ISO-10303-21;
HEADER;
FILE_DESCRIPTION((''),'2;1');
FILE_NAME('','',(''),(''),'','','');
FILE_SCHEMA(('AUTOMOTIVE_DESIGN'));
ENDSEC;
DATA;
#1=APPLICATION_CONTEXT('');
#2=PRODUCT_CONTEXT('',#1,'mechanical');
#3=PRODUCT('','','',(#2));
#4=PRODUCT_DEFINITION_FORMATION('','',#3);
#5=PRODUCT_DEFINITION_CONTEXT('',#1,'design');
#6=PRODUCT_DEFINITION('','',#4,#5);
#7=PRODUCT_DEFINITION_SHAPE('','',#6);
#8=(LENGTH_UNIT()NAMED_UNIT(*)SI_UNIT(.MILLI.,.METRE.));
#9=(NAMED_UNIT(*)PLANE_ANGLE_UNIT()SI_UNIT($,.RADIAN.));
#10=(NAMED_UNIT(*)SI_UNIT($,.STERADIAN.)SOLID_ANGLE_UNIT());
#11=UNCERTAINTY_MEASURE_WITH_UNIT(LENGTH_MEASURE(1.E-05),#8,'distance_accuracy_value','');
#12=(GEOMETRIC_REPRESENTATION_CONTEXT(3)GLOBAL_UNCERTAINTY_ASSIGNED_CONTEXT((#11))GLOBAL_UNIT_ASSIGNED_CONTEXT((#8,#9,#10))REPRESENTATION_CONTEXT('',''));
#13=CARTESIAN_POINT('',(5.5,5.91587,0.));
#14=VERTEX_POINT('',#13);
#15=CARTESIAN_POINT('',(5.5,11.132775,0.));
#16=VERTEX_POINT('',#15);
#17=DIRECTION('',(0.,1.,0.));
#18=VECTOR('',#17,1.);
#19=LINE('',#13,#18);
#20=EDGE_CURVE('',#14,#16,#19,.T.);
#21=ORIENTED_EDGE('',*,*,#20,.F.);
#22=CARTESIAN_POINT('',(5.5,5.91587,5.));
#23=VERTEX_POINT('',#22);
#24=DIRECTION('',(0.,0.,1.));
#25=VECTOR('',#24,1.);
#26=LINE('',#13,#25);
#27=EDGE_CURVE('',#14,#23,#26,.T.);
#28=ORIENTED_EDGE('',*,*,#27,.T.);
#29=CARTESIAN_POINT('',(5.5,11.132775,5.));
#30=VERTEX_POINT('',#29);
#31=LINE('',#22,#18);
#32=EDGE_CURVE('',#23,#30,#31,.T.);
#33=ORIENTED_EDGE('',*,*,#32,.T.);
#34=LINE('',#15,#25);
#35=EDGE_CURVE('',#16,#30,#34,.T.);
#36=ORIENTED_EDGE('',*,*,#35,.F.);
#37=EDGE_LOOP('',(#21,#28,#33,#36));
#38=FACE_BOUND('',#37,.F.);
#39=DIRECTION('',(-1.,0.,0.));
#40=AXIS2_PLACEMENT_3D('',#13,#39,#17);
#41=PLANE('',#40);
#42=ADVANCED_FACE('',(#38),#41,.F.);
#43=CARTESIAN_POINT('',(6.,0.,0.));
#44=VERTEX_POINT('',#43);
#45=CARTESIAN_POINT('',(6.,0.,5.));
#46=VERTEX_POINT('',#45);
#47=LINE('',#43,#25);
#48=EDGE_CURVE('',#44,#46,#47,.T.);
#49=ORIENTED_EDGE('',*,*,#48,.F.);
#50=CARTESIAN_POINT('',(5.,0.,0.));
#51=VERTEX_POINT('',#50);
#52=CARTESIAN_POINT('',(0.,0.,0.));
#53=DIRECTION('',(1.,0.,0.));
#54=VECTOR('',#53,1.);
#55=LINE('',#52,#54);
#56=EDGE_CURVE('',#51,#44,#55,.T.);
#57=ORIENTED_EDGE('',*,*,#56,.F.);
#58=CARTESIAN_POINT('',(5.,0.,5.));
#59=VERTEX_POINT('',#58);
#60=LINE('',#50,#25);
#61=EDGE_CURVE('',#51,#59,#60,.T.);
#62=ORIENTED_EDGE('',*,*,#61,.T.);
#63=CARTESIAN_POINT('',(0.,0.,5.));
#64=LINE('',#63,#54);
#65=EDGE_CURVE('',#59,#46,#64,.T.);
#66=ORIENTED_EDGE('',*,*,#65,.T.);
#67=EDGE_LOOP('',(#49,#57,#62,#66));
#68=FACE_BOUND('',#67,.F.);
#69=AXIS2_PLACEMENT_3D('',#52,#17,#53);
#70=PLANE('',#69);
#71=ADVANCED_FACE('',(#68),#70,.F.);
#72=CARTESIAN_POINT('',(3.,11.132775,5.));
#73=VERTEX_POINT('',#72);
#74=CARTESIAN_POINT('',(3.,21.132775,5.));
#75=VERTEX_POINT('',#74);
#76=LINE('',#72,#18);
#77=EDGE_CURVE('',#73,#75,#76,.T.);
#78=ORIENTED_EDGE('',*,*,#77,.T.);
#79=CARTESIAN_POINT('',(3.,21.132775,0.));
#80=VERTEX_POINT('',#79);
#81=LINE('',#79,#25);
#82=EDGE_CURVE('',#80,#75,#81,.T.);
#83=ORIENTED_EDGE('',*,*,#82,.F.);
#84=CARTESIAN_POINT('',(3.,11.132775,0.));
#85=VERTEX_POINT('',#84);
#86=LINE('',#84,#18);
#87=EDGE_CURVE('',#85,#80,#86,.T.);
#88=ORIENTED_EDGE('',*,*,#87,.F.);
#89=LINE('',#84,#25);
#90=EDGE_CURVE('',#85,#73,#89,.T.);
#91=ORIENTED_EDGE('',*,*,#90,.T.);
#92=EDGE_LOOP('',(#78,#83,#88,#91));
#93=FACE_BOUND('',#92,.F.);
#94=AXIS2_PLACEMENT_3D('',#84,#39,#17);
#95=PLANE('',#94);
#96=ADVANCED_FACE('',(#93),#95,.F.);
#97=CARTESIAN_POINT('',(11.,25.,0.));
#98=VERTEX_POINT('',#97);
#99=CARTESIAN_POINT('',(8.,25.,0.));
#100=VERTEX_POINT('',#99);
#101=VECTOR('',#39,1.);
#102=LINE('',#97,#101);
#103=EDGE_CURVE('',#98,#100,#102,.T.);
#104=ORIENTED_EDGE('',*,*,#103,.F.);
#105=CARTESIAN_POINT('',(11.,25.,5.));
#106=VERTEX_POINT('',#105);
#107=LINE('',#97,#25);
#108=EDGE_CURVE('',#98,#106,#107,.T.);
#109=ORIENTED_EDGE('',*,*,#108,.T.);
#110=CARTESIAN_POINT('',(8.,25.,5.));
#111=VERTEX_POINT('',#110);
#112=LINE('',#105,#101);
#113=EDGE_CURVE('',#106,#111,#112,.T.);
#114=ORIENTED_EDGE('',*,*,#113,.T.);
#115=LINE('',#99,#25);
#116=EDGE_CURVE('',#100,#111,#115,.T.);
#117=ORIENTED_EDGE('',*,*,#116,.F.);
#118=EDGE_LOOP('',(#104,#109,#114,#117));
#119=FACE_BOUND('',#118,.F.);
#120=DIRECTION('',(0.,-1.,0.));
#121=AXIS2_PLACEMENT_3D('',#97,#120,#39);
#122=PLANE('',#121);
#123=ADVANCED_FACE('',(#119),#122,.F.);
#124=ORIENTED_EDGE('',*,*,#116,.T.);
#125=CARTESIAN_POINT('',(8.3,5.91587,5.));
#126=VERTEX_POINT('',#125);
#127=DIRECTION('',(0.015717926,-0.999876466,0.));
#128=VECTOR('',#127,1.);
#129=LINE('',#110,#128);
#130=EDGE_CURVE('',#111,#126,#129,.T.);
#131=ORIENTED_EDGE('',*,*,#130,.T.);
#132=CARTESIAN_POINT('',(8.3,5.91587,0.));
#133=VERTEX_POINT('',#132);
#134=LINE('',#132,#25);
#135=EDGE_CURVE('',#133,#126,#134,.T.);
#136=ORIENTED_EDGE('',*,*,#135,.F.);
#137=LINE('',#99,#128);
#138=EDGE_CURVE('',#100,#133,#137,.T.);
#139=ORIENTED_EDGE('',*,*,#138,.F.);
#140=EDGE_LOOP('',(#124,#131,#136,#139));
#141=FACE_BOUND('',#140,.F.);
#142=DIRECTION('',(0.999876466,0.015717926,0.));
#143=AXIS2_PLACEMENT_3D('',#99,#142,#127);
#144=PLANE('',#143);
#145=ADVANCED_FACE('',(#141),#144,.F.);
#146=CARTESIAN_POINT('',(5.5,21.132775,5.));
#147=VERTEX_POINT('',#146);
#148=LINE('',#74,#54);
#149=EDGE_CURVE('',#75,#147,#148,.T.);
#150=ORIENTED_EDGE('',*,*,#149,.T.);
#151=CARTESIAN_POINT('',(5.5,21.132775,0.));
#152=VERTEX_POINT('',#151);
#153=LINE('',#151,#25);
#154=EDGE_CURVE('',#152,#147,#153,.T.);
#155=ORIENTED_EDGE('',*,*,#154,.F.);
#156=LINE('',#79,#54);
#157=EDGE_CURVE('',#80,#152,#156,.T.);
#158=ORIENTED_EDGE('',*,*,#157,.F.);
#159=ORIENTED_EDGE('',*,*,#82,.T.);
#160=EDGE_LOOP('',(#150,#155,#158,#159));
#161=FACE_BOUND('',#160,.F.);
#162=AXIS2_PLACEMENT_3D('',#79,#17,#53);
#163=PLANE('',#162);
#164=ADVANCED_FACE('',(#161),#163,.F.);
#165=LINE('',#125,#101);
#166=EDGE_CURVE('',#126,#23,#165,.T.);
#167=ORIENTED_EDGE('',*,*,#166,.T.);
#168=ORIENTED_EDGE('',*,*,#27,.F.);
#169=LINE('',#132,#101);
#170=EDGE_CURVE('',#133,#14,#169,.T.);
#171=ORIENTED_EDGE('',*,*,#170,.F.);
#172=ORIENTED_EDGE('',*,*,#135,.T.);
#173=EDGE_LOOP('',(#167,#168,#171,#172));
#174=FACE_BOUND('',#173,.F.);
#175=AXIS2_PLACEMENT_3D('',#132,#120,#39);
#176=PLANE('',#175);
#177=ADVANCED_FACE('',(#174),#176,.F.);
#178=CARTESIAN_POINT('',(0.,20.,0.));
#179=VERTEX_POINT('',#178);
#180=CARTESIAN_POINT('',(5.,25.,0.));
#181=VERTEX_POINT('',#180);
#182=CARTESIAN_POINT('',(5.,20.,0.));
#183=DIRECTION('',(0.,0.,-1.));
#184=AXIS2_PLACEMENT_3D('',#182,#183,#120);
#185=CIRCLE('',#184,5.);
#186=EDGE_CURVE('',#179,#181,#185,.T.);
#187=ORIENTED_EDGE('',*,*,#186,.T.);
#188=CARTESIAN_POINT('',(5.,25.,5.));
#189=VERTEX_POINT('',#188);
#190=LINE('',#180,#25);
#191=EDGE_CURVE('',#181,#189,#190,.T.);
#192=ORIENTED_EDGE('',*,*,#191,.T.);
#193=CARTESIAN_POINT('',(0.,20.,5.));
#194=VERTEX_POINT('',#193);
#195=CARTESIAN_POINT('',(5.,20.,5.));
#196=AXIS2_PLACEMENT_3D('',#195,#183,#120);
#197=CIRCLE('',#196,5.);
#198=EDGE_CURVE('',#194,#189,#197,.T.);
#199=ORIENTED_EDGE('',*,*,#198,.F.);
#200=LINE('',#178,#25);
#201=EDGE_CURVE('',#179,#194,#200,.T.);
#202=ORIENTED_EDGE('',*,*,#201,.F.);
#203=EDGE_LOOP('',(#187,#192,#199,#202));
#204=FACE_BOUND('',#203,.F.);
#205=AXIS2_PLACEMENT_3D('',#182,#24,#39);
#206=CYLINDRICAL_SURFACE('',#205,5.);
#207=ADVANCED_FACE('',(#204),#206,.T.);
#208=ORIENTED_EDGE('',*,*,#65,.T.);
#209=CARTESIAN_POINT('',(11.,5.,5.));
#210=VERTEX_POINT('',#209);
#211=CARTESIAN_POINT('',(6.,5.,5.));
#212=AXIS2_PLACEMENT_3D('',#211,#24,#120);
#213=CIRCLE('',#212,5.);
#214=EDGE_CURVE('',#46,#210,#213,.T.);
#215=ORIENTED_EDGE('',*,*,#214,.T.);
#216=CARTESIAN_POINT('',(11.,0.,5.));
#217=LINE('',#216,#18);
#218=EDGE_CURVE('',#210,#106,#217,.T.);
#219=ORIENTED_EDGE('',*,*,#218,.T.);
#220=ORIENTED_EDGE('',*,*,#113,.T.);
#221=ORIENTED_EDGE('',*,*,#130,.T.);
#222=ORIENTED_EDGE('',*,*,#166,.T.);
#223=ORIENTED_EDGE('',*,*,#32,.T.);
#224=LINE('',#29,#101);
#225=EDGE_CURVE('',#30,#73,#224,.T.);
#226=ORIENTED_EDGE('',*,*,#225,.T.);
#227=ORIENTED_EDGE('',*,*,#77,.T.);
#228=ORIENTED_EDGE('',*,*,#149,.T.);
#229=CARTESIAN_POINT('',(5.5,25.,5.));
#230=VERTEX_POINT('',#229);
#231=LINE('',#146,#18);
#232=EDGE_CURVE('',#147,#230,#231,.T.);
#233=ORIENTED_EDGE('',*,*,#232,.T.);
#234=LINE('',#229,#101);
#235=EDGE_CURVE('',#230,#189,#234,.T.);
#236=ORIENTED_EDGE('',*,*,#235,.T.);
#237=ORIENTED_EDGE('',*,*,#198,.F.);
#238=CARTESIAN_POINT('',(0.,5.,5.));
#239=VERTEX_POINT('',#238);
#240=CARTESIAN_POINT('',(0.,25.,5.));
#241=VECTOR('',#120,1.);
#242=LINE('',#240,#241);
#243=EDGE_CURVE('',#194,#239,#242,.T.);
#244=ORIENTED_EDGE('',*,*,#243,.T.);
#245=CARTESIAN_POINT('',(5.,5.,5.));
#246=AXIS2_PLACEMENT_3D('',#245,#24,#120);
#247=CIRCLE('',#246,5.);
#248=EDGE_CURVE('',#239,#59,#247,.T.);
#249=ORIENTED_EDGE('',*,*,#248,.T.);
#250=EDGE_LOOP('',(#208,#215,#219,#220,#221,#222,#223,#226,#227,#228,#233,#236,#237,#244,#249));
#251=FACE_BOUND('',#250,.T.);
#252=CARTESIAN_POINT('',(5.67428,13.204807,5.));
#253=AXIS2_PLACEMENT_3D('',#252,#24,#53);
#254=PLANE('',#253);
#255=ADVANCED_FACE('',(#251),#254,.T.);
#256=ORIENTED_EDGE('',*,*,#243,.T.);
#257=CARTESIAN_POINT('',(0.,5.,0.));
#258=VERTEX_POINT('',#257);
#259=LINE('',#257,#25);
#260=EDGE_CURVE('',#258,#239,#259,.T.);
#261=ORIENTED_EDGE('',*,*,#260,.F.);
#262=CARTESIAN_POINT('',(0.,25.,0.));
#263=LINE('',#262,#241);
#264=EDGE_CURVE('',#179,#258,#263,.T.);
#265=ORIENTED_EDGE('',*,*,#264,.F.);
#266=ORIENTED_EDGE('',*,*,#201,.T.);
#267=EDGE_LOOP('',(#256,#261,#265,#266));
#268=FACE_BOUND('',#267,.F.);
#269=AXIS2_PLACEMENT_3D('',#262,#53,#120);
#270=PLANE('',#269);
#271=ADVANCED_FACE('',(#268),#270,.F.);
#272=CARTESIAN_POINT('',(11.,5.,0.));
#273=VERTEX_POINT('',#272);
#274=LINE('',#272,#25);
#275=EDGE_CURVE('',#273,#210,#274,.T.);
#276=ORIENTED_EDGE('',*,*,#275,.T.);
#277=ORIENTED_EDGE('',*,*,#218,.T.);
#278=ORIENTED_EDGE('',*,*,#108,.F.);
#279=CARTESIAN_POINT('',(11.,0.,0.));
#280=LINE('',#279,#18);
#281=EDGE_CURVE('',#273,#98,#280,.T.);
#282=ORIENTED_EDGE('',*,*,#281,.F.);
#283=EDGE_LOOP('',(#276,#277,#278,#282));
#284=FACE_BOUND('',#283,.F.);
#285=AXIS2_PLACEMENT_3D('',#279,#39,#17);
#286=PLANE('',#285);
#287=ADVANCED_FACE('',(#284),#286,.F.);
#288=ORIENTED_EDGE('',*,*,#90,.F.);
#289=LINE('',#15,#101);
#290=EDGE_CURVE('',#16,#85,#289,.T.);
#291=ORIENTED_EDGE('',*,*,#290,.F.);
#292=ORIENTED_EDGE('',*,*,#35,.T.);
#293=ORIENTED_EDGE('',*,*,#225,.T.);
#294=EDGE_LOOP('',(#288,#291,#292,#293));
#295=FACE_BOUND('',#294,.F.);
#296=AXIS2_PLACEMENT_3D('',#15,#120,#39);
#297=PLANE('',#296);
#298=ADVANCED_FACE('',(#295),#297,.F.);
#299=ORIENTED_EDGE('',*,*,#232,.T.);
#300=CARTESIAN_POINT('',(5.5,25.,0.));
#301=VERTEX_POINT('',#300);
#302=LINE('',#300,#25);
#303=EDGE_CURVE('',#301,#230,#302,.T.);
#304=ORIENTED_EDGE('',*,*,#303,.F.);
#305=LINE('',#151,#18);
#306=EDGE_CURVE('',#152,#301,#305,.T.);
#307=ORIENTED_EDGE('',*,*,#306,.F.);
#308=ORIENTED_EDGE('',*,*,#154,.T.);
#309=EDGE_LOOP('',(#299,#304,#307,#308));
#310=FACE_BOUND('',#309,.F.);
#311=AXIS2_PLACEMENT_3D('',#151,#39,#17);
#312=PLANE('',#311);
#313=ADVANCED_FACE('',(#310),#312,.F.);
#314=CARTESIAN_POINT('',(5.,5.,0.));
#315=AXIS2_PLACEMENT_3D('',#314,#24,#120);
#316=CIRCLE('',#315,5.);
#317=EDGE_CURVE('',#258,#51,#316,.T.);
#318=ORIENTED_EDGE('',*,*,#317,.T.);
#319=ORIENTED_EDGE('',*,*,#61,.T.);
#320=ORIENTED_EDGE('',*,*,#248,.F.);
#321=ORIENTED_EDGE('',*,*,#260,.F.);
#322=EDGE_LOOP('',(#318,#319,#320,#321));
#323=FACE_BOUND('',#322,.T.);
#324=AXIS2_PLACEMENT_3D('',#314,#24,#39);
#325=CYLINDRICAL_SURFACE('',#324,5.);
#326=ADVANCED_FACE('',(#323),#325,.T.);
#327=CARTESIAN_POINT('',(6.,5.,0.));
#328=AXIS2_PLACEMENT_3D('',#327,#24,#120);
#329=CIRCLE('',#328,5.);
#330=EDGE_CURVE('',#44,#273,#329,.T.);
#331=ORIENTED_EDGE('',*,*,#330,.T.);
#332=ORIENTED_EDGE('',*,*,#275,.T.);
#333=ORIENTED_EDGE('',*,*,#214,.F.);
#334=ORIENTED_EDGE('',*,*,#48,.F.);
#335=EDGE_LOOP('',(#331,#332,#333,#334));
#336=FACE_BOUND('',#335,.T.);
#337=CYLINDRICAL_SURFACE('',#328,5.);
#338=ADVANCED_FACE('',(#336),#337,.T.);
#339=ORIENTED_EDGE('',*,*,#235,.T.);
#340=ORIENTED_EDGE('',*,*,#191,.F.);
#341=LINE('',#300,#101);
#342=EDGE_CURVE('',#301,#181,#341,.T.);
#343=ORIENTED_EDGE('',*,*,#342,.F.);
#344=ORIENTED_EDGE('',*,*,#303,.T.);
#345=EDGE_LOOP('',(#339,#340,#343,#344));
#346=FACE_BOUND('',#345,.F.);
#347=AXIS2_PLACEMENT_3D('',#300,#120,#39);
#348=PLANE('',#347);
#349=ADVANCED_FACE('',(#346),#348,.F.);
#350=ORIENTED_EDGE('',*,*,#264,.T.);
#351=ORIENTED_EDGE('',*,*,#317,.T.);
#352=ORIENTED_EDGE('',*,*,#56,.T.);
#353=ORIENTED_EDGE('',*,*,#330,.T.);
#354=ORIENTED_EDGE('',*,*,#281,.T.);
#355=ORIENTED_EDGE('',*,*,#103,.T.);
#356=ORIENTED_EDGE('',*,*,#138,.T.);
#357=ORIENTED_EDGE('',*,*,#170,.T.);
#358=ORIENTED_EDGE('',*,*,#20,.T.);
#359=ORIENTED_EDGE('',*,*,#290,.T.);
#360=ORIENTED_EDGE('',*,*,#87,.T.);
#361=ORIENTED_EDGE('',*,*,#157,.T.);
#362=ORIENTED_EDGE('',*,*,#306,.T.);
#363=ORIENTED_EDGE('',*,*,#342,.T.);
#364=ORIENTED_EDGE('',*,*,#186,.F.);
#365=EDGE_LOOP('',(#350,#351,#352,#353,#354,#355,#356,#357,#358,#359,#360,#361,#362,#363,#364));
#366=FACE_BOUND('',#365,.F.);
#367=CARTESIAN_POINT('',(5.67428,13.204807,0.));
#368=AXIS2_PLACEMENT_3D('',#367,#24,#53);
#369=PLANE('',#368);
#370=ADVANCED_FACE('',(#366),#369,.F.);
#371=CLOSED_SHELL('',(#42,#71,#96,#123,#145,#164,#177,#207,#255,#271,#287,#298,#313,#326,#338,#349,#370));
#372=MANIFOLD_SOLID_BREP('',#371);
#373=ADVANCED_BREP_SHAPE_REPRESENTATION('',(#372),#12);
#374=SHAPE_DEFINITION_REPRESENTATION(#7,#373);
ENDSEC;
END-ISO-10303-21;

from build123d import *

# Parameters (mm, degrees)
F1_DEPTH = 5
F2_R     = 5


with BuildPart() as f1:
    # F0 (on Top) → F1 (new body)
    with BuildSketch(Plane.XY):
        Polygon((0, 25), (0, 0), (11, 0), (11, 25), (8, 25), (8.3, 5.91587), (5.5, 5.91587), (5.5, 11.132775), (3, 11.132775), (3, 21.132775), (5.5, 21.132775), (5.5, 25), align=None)
    extrude(amount=F1_DEPTH)

    # F2
    f2_edges = [f1.edges().sort_by_distance(p)[0] for p in [
        (0, 25, 2.5),
        (0, 0, 2.5),
        (11, 0, 2.5),
    ]]
    fillet(f2_edges, radius=F2_R)


solid = f1.part
